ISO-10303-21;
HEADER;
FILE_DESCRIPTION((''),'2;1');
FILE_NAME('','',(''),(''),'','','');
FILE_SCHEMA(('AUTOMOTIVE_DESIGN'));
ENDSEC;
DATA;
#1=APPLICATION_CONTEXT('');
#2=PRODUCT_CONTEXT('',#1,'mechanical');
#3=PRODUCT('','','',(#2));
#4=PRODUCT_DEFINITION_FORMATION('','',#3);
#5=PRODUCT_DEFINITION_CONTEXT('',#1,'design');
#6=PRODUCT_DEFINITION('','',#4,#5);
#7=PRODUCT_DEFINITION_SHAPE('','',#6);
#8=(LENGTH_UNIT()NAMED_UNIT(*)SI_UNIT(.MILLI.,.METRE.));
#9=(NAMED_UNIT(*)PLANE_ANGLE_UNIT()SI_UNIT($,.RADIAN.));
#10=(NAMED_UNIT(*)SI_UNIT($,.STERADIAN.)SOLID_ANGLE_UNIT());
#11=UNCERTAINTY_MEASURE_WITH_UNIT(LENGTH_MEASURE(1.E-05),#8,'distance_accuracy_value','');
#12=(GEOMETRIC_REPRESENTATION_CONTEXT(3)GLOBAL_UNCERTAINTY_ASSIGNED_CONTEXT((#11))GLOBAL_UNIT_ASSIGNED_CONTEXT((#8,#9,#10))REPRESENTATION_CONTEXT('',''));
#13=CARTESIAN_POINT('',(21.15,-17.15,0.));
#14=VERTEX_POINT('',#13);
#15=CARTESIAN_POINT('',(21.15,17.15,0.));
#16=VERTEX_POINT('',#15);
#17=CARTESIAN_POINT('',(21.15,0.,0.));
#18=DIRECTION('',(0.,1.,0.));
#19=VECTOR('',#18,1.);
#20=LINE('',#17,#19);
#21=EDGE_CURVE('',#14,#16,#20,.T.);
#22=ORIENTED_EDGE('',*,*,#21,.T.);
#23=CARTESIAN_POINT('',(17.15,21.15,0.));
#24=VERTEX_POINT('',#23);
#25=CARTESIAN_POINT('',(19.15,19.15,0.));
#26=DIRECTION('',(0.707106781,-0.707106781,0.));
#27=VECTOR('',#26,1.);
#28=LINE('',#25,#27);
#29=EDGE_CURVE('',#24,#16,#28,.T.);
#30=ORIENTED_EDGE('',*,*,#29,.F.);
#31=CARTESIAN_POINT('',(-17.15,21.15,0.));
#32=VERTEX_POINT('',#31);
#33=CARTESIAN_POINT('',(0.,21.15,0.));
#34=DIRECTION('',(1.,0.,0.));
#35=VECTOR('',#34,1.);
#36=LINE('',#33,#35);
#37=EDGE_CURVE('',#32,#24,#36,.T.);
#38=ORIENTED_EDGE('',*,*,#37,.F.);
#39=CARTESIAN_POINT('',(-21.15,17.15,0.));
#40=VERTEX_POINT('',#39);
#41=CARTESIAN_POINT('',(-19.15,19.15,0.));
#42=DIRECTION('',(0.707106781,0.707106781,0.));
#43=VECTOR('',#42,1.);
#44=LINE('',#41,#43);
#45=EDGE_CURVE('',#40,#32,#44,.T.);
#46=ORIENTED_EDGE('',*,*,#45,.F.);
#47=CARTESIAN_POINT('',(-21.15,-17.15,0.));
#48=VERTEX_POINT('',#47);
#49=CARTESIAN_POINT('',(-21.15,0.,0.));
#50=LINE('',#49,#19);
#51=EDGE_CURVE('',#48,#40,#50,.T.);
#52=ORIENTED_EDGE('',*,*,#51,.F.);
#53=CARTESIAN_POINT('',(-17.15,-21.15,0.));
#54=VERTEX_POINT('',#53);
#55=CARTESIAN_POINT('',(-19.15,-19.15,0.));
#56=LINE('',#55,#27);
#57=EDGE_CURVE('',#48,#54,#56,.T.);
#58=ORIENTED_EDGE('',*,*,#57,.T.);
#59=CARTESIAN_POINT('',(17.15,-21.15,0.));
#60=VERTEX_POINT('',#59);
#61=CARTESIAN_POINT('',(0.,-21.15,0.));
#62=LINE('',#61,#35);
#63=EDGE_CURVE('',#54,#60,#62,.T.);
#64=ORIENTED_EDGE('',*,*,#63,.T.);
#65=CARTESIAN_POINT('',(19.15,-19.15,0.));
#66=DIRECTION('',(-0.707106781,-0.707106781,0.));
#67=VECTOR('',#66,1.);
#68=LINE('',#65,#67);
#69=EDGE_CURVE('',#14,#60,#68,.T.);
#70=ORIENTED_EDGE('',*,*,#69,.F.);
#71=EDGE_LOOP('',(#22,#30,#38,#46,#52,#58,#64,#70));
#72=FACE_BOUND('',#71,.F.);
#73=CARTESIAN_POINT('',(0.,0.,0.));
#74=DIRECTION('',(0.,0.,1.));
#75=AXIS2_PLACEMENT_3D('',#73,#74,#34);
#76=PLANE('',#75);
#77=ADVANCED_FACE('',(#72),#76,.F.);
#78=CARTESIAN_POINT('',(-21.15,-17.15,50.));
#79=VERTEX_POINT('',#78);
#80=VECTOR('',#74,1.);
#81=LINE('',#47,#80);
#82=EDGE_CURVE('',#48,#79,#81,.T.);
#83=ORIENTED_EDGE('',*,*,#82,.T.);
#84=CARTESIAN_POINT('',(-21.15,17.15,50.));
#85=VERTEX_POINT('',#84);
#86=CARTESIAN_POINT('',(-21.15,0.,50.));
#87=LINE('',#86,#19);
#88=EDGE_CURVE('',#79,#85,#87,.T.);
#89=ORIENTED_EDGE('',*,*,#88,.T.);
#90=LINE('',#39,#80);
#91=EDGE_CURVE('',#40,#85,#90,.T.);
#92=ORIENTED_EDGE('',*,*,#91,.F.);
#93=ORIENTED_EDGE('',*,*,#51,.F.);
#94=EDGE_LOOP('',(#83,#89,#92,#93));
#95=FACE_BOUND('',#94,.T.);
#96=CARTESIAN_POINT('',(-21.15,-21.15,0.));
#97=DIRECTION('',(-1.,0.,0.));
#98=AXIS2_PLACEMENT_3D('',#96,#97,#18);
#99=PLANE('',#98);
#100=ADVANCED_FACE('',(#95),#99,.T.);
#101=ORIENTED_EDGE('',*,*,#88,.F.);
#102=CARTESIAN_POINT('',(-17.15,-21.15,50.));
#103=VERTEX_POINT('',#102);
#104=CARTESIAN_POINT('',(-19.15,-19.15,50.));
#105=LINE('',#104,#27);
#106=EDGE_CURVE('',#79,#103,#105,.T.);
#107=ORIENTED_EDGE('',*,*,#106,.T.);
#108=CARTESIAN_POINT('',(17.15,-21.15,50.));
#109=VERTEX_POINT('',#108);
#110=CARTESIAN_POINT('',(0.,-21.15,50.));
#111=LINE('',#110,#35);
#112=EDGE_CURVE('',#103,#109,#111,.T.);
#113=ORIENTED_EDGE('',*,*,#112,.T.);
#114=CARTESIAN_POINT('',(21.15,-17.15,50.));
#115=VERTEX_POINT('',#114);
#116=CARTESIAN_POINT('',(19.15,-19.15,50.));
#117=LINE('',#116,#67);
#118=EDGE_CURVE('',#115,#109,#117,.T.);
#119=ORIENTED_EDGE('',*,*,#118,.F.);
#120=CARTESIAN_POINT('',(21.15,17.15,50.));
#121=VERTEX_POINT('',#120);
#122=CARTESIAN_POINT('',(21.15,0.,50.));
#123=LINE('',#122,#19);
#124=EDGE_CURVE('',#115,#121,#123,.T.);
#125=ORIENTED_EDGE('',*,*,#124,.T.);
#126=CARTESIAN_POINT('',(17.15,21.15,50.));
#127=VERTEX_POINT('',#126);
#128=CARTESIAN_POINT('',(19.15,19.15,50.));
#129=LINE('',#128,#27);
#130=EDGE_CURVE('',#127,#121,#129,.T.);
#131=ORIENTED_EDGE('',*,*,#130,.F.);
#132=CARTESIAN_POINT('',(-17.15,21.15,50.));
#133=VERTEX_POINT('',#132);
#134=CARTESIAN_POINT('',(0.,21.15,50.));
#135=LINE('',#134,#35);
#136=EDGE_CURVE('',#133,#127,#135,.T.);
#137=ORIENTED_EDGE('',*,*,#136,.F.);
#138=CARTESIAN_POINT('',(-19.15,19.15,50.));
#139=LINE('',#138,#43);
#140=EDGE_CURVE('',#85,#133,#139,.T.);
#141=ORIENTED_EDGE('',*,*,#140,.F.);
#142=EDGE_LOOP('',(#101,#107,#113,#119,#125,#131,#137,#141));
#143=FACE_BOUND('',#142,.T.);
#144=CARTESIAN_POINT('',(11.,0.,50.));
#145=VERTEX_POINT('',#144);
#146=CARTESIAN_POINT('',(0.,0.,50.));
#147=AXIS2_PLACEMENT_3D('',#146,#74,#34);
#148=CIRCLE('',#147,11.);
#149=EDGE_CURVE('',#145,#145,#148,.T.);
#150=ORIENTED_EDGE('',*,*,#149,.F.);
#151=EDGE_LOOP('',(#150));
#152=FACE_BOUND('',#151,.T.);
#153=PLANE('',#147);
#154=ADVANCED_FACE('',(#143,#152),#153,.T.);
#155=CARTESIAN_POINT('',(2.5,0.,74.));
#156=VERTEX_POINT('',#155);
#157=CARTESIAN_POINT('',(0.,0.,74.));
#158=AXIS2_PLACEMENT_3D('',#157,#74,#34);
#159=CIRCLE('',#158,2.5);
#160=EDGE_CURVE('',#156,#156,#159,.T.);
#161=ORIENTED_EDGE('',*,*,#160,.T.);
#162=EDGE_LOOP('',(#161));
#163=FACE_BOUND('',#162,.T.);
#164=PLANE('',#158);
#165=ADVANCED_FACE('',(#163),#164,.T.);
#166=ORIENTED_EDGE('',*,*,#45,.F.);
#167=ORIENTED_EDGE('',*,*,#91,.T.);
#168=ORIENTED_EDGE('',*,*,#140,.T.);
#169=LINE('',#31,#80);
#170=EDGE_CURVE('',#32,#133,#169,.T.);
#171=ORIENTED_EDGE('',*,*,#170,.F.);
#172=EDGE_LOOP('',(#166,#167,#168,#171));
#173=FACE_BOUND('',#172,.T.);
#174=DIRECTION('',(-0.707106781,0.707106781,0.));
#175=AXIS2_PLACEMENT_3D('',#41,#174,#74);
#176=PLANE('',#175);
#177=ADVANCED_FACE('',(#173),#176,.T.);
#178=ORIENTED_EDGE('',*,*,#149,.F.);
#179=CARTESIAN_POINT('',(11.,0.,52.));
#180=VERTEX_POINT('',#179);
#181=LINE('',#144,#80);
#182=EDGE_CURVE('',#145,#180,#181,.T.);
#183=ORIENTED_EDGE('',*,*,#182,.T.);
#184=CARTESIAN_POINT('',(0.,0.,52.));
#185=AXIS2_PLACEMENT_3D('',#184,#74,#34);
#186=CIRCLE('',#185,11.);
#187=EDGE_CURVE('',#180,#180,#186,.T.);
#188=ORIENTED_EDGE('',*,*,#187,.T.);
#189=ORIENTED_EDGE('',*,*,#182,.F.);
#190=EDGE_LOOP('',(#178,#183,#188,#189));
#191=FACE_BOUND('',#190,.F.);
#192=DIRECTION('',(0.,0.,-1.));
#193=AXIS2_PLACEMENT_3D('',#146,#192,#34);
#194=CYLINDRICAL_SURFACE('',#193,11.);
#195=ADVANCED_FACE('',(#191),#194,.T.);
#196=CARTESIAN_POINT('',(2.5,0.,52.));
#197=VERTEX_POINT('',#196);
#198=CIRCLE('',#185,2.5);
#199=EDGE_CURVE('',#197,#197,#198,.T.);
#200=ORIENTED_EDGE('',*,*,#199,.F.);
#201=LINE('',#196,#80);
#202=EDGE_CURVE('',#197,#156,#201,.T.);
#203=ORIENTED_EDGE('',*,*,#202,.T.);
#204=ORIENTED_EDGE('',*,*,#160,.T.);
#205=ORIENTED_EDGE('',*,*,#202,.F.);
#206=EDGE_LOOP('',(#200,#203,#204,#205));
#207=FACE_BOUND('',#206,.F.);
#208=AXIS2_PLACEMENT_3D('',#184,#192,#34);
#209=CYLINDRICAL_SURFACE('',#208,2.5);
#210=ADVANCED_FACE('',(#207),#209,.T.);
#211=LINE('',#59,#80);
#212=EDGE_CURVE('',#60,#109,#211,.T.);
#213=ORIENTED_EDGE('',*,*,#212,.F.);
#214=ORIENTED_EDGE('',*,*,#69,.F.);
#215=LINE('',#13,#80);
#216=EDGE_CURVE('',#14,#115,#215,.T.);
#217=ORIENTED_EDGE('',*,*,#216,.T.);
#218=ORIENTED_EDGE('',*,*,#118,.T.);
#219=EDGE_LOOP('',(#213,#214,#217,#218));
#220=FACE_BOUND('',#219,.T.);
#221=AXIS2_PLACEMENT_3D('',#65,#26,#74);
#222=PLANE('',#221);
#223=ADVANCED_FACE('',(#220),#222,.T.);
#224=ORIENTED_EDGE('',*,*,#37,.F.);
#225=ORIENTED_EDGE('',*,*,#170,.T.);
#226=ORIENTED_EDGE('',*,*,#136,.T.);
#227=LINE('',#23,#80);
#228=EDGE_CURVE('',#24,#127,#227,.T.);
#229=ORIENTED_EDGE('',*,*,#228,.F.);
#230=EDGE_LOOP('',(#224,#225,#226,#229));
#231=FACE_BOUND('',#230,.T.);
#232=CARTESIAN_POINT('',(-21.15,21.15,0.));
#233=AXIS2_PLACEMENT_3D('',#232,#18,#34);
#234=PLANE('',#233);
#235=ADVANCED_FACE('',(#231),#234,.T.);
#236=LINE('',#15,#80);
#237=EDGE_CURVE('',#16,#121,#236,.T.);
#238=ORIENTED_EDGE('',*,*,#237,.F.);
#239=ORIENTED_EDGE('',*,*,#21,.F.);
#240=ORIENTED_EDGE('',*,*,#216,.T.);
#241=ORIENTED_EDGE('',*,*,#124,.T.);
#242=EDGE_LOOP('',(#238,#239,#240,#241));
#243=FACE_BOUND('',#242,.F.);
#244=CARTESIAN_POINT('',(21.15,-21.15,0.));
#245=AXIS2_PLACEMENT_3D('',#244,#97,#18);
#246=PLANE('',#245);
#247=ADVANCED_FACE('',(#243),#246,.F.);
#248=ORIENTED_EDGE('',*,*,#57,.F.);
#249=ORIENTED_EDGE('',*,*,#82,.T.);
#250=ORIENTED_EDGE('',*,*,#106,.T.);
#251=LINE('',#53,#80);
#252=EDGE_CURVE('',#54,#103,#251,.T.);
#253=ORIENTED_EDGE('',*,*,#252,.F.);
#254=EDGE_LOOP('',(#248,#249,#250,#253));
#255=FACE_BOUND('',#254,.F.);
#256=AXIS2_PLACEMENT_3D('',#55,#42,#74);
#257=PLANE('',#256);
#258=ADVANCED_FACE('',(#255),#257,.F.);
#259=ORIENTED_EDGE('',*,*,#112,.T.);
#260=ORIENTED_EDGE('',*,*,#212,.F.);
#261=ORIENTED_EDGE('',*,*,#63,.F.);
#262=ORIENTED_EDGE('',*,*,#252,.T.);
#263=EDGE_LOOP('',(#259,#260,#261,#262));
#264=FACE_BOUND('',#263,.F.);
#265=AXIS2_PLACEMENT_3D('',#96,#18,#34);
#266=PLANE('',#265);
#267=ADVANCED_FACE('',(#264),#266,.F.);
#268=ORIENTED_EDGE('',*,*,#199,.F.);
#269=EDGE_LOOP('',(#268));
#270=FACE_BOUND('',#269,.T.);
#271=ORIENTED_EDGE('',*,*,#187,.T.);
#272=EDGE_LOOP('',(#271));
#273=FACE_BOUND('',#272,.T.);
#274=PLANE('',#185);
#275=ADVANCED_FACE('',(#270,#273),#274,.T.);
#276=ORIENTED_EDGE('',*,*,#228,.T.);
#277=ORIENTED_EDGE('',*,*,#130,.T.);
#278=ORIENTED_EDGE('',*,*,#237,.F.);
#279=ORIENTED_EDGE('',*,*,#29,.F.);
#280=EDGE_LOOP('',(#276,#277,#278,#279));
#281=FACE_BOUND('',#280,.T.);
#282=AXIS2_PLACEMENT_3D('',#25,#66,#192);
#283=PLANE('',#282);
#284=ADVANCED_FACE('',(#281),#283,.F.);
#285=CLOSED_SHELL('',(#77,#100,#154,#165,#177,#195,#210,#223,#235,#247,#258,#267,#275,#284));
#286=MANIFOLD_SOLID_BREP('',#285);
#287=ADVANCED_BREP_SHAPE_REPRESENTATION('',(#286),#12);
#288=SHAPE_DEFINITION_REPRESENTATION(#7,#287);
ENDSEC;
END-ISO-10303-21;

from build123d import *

# Parameters (mm, degrees)
SKETCH_W        = 42.3
SKETCH_H        = 42.3
PAD_DEPTH       = 50
SKETCH001_R     = 11
PAD001_DEPTH    = 2
SKETCH002_R     = 2.5
PAD002_DEPTH    = 22
CHAMFER_SIZE    = 4
CHAMFER001_SIZE = 4
CHAMFER002_SIZE = 4
CHAMFER003_SIZE = 4


with BuildPart() as part:
    # Sketch → Pad (new body)
    with BuildSketch(Plane.XY):
        Rectangle(SKETCH_W, SKETCH_H)
    extrude(amount=PAD_DEPTH)

    # Sketch001 → Pad001 (new body)
    with BuildSketch(Plane.XY.offset(50)):
        Circle(SKETCH001_R)
    extrude(amount=PAD001_DEPTH)

    # Sketch002 → Pad002 (new body)
    with BuildSketch(Plane.XY.offset(52)):
        Circle(SKETCH002_R)
    extrude(amount=PAD002_DEPTH)

    # Chamfer
    chamfer_edges = [part.edges().sort_by_distance(p)[0] for p in [
        (-21.15, -21.15, 25),
    ]]
    chamfer(chamfer_edges, length=CHAMFER_SIZE)

    # Chamfer001
    chamfer001_edges = [part.edges().sort_by_distance(p)[0] for p in [
        (-21.15, 21.15, 25),
    ]]
    chamfer(chamfer001_edges, length=CHAMFER001_SIZE)

    # Chamfer002
    chamfer002_edges = [part.edges().sort_by_distance(p)[0] for p in [
        (21.15, 21.15, 25),
    ]]
    chamfer(chamfer002_edges, length=CHAMFER002_SIZE)

    # Chamfer003
    chamfer003_edges = [part.edges().sort_by_distance(p)[0] for p in [
        (21.15, -21.15, 25),
    ]]
    chamfer(chamfer003_edges, length=CHAMFER003_SIZE)


solid = part.part
